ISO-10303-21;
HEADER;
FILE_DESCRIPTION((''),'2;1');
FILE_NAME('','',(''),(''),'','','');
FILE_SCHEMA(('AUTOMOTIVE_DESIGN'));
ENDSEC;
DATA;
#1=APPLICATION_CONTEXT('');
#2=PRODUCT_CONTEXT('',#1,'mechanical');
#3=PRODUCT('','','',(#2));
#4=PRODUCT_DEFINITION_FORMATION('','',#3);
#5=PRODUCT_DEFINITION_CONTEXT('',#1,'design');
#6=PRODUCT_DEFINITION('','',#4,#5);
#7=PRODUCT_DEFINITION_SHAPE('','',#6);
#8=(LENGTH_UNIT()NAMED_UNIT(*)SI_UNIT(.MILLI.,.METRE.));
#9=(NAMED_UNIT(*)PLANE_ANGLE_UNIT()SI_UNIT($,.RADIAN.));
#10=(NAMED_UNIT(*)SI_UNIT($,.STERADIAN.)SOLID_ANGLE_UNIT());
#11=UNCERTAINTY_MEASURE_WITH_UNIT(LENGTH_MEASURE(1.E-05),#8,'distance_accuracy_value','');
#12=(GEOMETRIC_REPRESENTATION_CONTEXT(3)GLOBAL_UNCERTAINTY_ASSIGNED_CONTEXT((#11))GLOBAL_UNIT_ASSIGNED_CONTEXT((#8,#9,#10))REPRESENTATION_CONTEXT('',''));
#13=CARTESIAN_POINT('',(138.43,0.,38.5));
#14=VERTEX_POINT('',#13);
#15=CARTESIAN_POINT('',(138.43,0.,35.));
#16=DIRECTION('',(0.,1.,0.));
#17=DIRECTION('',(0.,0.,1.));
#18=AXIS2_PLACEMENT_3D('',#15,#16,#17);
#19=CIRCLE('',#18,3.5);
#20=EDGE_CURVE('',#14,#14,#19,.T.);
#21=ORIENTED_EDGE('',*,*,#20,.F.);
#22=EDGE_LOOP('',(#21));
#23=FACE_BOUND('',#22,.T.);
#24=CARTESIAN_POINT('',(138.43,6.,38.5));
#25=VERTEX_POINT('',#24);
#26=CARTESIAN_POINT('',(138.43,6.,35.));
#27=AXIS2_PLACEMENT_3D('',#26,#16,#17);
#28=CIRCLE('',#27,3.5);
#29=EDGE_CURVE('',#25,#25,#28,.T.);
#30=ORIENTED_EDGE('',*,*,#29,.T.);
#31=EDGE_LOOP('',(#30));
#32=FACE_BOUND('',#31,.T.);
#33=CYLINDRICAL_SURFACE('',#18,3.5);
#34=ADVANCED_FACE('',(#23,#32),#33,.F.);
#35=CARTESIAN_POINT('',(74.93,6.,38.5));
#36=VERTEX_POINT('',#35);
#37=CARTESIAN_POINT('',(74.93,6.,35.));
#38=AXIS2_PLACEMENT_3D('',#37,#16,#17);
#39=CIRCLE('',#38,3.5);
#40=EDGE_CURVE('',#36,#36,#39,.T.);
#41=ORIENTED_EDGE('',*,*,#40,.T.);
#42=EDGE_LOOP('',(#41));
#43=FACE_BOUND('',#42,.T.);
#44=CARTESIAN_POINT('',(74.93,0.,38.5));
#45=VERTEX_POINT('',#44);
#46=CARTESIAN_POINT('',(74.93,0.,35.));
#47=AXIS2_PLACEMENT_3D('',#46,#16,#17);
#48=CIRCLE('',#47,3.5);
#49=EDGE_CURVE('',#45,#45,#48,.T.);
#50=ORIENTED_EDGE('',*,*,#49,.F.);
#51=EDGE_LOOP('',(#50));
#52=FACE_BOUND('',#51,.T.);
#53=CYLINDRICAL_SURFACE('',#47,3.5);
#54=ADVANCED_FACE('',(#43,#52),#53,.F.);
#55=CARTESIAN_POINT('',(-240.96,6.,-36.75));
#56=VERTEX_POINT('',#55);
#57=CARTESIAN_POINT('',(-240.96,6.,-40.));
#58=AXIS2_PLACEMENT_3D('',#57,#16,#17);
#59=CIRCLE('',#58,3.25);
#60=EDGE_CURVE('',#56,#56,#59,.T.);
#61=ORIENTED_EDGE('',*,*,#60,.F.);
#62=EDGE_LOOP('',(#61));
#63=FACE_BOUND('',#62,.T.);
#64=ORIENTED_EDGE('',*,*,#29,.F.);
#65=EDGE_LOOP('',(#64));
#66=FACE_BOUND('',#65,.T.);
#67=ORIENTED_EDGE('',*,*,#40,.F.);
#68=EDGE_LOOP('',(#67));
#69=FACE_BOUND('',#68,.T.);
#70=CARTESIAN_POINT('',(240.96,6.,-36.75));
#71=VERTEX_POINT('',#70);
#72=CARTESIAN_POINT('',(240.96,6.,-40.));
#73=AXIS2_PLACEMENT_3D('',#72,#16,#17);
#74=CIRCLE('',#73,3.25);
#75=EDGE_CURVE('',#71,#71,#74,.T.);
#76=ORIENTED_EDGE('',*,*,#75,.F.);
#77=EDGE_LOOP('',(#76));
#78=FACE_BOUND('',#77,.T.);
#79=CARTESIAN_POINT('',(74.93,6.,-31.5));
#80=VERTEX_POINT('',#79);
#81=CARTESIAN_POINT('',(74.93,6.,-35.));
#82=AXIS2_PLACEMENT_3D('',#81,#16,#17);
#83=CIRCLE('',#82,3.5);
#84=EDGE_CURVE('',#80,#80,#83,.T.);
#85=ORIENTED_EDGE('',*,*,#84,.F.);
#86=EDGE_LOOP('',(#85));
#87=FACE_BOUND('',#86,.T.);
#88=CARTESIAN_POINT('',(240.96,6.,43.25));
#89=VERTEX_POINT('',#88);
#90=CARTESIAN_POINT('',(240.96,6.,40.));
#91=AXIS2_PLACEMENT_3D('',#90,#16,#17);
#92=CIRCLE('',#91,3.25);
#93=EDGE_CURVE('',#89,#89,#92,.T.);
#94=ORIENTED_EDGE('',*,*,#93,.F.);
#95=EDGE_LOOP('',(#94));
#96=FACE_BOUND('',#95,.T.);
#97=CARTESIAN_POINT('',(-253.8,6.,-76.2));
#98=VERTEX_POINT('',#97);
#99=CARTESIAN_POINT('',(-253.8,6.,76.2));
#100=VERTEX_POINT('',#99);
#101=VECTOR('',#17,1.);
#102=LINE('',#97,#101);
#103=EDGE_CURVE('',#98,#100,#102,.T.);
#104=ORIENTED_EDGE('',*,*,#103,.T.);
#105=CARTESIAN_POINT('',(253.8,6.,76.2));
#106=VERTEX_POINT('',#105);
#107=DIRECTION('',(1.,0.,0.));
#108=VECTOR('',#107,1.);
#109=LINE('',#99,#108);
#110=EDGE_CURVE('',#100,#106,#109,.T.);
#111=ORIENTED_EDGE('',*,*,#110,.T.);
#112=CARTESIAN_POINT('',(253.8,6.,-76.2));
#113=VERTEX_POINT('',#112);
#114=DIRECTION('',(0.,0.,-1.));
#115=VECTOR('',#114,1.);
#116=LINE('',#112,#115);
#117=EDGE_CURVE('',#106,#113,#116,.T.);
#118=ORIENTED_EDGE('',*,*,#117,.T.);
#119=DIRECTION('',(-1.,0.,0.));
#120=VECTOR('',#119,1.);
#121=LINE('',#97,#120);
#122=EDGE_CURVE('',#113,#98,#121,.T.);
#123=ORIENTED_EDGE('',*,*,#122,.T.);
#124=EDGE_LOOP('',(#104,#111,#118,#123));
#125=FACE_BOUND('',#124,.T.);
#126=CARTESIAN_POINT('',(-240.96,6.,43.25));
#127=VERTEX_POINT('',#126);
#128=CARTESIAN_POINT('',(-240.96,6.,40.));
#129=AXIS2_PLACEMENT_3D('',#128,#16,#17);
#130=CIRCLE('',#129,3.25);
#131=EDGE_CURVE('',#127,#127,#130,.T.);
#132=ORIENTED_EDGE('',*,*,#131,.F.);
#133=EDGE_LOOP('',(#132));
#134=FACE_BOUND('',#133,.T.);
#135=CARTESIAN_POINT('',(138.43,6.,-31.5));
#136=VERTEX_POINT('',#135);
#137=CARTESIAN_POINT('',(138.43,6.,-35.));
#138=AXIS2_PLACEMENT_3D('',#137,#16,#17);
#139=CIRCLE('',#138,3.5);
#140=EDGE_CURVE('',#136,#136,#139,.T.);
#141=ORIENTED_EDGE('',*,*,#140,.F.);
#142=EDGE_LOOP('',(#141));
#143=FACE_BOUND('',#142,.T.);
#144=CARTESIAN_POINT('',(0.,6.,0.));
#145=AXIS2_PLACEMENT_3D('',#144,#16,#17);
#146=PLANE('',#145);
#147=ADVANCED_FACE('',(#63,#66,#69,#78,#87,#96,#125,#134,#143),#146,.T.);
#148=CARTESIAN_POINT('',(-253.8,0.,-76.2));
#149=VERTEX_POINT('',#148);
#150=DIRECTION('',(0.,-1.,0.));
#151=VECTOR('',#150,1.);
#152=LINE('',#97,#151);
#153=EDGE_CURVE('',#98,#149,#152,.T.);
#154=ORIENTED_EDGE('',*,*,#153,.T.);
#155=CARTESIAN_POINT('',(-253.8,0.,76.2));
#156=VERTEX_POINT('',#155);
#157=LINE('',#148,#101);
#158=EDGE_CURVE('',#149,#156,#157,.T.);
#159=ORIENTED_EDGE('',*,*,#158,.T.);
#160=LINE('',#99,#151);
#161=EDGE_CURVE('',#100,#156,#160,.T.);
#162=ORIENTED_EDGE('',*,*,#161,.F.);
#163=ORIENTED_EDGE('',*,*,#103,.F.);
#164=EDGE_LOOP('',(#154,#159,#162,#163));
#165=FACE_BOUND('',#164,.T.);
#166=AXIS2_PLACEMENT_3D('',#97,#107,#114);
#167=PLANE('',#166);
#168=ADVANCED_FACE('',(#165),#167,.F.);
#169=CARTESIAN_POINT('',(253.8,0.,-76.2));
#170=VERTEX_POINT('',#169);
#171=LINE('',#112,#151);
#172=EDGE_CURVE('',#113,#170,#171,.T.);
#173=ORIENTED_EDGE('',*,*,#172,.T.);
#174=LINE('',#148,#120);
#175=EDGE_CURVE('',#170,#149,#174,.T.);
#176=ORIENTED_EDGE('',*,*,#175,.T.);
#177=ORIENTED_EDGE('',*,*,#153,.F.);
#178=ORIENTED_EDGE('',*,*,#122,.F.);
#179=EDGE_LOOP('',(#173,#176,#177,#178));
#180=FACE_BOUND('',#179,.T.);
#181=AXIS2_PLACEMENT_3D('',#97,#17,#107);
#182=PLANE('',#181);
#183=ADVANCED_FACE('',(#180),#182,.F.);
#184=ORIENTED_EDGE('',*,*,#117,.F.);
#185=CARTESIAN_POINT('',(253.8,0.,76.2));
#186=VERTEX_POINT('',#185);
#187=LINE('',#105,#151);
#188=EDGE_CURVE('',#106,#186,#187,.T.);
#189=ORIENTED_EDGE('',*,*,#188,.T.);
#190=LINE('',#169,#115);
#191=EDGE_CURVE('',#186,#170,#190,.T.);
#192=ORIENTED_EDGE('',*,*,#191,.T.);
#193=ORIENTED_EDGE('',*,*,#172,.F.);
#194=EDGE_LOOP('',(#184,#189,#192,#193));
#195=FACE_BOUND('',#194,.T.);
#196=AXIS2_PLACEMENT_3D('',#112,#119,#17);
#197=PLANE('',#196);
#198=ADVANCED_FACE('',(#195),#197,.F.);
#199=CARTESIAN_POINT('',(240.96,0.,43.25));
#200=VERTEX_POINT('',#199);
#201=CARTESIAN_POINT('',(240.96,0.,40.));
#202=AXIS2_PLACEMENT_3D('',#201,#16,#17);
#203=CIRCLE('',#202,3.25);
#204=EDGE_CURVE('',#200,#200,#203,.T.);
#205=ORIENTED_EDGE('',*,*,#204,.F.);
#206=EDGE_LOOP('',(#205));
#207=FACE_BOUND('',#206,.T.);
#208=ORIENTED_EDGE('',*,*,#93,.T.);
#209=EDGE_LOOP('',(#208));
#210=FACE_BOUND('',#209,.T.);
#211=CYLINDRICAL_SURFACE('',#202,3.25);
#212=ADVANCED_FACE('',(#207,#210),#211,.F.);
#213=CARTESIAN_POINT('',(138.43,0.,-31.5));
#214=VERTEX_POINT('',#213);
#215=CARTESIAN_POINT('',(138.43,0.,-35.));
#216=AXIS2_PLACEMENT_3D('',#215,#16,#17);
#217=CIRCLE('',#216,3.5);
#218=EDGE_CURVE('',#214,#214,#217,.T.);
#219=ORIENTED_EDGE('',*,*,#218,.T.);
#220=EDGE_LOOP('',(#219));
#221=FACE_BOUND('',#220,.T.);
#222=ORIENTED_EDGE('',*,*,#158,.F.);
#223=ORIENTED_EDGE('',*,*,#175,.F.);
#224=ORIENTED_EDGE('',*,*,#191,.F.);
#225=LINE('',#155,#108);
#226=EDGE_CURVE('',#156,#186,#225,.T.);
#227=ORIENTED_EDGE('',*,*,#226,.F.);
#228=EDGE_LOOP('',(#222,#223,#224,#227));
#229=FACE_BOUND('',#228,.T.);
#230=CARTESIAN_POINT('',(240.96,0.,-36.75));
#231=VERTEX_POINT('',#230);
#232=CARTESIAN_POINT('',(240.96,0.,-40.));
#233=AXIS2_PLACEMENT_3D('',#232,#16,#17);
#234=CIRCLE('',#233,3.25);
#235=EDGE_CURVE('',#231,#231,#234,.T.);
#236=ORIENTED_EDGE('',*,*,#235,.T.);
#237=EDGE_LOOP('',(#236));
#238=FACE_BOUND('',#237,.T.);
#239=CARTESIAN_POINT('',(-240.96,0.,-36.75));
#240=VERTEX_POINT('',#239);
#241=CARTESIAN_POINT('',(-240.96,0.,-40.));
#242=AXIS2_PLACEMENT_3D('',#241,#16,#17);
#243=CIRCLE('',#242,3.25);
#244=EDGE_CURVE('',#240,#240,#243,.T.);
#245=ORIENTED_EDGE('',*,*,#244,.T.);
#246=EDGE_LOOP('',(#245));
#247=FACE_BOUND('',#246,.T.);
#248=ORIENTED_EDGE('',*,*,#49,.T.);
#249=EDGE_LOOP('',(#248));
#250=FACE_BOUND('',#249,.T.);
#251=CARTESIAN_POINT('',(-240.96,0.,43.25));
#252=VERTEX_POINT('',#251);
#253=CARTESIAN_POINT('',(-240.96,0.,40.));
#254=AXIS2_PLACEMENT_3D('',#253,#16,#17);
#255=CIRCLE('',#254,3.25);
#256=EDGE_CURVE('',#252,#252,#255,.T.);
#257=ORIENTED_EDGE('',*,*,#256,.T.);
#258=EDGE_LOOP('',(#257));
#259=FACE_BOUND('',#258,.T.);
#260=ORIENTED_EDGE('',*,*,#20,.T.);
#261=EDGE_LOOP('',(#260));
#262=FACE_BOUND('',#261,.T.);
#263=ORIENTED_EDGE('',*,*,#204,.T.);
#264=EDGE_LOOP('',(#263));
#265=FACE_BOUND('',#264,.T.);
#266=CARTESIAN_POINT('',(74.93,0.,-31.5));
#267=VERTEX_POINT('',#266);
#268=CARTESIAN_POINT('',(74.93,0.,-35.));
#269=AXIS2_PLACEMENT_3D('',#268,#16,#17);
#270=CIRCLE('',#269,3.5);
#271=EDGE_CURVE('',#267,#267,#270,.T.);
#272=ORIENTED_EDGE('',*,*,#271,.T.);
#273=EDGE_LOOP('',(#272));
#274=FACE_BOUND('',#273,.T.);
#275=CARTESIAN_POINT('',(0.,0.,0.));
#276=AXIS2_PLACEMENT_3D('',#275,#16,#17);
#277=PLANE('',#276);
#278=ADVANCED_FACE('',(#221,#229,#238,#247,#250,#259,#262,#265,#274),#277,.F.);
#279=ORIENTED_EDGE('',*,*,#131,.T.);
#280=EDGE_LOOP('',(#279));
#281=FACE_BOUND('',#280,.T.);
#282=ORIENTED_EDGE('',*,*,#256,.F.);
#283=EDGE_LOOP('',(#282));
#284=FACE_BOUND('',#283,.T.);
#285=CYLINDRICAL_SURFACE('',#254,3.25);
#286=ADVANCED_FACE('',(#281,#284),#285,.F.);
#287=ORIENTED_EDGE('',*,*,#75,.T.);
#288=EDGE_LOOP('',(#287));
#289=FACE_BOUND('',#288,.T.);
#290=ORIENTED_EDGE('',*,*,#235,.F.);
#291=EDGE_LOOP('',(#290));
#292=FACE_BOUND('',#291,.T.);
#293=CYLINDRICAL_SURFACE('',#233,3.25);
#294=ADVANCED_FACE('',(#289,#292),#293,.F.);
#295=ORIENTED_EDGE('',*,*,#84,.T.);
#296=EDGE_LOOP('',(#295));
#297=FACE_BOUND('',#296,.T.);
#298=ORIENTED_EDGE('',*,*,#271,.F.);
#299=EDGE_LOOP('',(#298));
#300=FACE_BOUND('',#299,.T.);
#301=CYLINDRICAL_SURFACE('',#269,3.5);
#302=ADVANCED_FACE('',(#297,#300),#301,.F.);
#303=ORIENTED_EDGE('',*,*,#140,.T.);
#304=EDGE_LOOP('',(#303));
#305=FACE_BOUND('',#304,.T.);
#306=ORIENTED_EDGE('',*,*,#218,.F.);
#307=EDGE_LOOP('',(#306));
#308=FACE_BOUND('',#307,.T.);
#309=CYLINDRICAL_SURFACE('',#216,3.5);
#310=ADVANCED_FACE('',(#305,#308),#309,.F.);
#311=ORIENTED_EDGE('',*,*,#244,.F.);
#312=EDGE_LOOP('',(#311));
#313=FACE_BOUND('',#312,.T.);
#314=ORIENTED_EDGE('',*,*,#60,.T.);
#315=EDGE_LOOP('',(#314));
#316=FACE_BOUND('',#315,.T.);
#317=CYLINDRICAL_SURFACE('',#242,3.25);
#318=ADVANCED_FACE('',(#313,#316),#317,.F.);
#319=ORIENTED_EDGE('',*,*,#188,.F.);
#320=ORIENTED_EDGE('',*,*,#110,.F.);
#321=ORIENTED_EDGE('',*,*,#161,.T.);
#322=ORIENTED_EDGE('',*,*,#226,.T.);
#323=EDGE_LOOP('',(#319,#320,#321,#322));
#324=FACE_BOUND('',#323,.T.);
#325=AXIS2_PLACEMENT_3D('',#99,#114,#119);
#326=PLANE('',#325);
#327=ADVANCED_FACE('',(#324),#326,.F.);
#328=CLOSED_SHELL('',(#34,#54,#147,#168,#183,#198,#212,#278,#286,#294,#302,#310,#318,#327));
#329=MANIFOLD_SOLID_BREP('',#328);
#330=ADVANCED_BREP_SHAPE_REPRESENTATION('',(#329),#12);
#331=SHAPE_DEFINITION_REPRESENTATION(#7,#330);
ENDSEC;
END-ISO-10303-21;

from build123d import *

# Parameters (mm, degrees)
SKETCH1_W           = 507.6
SKETCH1_H           = 152.4
BOSS_EXTRUDE1_DEPTH = 6
SKETCH2_R           = 3.25
CUT_EXTRUDE1_DEPTH  = 266.060144118
SKETCH3_R           = 3.5
CUT_EXTRUDE2_DEPTH  = 266.060144118


with BuildPart() as part:
    # Sketch1 → Boss-Extrude1 (new body)
    with BuildSketch(Plane(origin=(0, 0, 0), x_dir=(1, 0, 0), z_dir=(0, 1, 0))):
        Rectangle(SKETCH1_W, SKETCH1_H)
    extrude(amount=BOSS_EXTRUDE1_DEPTH)

    # Sketch2 → Cut-Extrude1 (cut, through all)
    with BuildSketch(Plane(origin=(0, 6, 0), x_dir=(1, 0, 0), z_dir=(0, 1, 0))):
        with Locations(Location((240.96, 40, 0), (0, 0, 270))):
            Circle(SKETCH2_R)
        with Locations(Location((240.96, -40, 0), (0, 0, 270))):
            Circle(SKETCH2_R)
        with Locations(Location((-240.96, -40, 0), (0, 0, 270))):
            Circle(SKETCH2_R)
        with Locations(Location((-240.96, 40, 0), (0, 0, 270))):
            Circle(SKETCH2_R)
    extrude(amount=-CUT_EXTRUDE1_DEPTH, mode=Mode.SUBTRACT)

    # Sketch3 → Cut-Extrude2 (cut, through all)
    with BuildSketch(Plane(origin=(0, 6, 0), x_dir=(1, 0, 0), z_dir=(0, 1, 0))):
        with Locations(Location((138.43, 35, 0), (0, 0, 270))):
            Circle(SKETCH3_R)
        with Locations(Location((74.93, 35, 0), (0, 0, 270))):
            Circle(SKETCH3_R)
        with Locations(Location((74.93, -35, 0), (0, 0, 270))):
            Circle(SKETCH3_R)
        with Locations(Location((138.43, -35, 0), (0, 0, 270))):
            Circle(SKETCH3_R)
    extrude(amount=-CUT_EXTRUDE2_DEPTH, mode=Mode.SUBTRACT)


solid = part.part
